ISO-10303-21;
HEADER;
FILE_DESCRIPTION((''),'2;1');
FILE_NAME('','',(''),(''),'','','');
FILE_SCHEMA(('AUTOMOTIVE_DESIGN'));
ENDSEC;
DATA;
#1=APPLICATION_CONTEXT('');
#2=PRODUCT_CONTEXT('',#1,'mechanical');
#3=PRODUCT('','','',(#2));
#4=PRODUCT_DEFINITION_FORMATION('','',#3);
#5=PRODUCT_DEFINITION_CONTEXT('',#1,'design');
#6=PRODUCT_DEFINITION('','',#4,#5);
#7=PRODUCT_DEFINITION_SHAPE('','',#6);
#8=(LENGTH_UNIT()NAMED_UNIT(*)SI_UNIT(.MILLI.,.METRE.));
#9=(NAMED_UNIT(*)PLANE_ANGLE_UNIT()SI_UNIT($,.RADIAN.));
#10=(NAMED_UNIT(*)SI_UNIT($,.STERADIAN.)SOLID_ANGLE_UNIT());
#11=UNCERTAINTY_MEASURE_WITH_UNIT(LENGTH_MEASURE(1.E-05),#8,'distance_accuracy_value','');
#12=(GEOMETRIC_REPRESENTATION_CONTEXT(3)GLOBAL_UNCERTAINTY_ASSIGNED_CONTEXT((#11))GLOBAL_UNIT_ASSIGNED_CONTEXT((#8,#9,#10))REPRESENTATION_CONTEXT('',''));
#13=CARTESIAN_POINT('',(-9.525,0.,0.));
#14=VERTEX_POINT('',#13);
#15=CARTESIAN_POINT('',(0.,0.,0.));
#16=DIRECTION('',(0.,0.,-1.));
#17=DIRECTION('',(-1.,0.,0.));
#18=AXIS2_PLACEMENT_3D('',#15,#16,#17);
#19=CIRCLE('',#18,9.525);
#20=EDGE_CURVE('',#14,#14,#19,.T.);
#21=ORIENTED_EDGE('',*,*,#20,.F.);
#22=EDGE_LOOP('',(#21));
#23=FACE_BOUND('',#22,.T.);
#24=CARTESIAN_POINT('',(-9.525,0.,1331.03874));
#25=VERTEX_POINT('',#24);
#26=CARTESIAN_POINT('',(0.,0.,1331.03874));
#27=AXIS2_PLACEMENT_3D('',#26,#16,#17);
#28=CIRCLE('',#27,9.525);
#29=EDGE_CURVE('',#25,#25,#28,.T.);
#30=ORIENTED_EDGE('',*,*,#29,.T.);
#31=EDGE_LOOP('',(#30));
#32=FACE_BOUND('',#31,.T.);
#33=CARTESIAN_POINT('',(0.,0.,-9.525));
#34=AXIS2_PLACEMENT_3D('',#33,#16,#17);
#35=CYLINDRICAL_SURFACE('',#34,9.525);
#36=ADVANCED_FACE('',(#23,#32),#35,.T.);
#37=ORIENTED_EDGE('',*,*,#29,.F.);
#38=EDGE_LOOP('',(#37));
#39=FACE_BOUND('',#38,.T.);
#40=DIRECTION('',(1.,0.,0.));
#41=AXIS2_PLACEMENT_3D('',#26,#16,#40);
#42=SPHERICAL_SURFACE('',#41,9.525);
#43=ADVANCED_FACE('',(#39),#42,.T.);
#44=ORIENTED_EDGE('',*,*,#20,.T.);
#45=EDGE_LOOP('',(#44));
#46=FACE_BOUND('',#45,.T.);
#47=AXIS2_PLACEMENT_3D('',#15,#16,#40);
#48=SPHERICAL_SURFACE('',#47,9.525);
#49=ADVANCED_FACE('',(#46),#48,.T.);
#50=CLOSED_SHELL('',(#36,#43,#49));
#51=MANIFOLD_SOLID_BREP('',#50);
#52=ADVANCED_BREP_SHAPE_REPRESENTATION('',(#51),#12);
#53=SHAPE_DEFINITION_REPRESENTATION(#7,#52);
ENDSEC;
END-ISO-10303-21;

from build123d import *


with BuildPart() as part:
    # Sketch1 → Revolve1 (revolve)
    with BuildSketch(Plane(origin=(0, 0, 0), x_dir=(1, 0, 0), z_dir=(0, 1, 0))):
        with BuildLine():
            Line((9.525, 0), (9.525, -1331.03874))
            ThreePointArc((9.525, -1331.03874), (6.735192091, -1337.773932091), (0, -1340.56374))
            Line((0, -1340.56374), (0, 9.525))
            ThreePointArc((0, 9.525), (6.735192091, 6.735192091), (9.525, 0))
        make_face()
    revolve(axis=Axis((0, 0, -9.525), (0, 0, 1)))


solid = part.part
